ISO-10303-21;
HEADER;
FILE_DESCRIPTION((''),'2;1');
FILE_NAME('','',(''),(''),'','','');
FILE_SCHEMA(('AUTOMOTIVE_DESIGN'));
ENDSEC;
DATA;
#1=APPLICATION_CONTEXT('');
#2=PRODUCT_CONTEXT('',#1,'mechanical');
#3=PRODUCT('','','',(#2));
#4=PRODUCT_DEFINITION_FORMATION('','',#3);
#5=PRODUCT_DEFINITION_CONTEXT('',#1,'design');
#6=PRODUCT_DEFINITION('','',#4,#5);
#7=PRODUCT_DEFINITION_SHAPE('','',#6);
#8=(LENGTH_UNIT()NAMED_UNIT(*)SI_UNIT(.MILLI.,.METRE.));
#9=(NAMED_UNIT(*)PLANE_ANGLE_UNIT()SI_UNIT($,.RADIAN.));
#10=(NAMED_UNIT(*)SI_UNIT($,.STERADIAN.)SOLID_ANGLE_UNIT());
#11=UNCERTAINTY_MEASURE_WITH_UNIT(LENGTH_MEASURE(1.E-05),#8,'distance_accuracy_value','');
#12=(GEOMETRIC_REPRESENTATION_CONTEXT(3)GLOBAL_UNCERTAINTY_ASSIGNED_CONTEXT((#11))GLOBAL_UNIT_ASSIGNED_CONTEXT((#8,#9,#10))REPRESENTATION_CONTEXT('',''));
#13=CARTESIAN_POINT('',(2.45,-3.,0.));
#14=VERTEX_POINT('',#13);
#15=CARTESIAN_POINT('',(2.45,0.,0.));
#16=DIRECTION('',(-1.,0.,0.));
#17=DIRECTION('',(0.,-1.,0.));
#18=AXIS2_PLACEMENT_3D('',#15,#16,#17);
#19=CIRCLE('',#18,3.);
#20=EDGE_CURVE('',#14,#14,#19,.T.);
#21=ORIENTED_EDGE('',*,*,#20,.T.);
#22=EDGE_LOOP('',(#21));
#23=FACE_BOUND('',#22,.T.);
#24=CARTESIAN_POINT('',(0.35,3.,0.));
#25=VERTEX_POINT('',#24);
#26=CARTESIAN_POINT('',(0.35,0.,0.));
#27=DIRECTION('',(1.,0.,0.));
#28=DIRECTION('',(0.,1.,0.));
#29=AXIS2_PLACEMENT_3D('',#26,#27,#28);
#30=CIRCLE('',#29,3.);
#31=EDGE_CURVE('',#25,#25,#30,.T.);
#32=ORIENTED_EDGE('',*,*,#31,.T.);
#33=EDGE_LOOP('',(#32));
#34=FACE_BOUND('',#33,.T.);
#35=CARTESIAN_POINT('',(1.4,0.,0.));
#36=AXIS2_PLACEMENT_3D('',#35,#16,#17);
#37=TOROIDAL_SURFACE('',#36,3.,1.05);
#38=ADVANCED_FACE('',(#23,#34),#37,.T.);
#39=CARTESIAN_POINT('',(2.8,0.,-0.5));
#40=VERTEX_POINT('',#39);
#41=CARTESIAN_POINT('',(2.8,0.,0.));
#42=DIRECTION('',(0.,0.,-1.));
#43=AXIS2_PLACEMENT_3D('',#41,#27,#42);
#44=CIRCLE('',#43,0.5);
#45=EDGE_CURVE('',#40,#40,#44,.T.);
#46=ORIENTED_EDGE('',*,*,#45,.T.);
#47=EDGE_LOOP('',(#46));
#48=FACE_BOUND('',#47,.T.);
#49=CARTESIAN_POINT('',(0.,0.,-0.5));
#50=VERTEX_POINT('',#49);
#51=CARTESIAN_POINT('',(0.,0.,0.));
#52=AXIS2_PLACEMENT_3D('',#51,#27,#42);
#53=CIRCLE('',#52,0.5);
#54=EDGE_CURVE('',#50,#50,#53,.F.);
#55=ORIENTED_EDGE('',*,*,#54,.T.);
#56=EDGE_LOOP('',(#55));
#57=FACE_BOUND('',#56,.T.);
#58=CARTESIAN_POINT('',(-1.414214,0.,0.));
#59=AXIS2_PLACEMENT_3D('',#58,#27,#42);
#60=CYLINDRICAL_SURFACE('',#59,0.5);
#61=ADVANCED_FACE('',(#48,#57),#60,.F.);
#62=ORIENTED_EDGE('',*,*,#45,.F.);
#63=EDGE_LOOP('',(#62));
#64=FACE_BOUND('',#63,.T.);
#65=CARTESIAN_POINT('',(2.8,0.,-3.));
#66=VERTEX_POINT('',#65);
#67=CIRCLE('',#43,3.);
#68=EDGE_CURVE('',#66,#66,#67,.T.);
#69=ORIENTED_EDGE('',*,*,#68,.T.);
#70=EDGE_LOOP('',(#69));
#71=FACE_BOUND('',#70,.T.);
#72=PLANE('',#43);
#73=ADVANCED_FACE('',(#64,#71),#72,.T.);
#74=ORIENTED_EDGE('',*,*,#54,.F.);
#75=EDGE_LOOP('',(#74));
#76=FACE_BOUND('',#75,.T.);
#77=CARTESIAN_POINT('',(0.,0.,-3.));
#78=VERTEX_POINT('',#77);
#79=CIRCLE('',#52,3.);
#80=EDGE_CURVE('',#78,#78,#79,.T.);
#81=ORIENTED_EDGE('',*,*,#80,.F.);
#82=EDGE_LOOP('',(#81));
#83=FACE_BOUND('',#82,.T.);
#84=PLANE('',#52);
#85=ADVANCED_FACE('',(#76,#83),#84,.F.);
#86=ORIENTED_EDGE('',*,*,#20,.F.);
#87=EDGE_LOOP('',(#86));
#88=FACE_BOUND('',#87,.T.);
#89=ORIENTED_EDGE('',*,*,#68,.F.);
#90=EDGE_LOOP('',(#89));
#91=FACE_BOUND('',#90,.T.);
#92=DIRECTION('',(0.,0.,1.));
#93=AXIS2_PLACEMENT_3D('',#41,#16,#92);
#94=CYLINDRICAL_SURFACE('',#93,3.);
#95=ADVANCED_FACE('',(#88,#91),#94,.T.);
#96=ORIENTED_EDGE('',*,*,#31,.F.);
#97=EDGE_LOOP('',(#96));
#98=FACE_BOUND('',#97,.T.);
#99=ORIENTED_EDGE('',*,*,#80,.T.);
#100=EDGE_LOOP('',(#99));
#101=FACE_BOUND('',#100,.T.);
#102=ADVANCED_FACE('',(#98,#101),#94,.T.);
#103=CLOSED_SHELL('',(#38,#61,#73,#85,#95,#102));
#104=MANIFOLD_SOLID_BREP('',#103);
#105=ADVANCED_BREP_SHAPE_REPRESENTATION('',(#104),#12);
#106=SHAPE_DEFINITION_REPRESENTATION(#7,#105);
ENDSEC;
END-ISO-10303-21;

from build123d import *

# Parameters (mm, degrees)
SKETCH1_R           = 3
BOSS_EXTRUDE1_DEPTH = 2.8
SKETCH4_R           = 1.05
SKETCH5_R           = 0.5
CUT_EXTRUDE1_DEPTH  = 2.8


with BuildPart() as part:
    # Sketch1 → Boss-Extrude1 (new body)
    with BuildSketch(Plane(origin=(0, 0, 0), x_dir=(0, 0, -1), z_dir=(1, 0, 0))):
        Circle(SKETCH1_R)
    extrude(amount=BOSS_EXTRUDE1_DEPTH)

    # Sketch4 → Revolve1 (revolve)
    with BuildSketch(Plane.XY, mode=Mode.PRIVATE) as revolve1_sk:
        with Locations((1.4, 3)):
            Circle(SKETCH4_R)
    revolve(revolve1_sk.sketch.rotate(Axis((0, 0, 0), (1, 0, 0)), 180), axis=Axis((0, 0, 0), (1, 0, 0)))

    # Sketch5 → Cut-Extrude1 (cut)
    with BuildSketch(Plane(origin=(2.8, 0, 0), x_dir=(0, 0, -1), z_dir=(1, 0, 0))):
        Circle(SKETCH5_R)
    extrude(amount=-CUT_EXTRUDE1_DEPTH, mode=Mode.SUBTRACT)


solid = part.part
